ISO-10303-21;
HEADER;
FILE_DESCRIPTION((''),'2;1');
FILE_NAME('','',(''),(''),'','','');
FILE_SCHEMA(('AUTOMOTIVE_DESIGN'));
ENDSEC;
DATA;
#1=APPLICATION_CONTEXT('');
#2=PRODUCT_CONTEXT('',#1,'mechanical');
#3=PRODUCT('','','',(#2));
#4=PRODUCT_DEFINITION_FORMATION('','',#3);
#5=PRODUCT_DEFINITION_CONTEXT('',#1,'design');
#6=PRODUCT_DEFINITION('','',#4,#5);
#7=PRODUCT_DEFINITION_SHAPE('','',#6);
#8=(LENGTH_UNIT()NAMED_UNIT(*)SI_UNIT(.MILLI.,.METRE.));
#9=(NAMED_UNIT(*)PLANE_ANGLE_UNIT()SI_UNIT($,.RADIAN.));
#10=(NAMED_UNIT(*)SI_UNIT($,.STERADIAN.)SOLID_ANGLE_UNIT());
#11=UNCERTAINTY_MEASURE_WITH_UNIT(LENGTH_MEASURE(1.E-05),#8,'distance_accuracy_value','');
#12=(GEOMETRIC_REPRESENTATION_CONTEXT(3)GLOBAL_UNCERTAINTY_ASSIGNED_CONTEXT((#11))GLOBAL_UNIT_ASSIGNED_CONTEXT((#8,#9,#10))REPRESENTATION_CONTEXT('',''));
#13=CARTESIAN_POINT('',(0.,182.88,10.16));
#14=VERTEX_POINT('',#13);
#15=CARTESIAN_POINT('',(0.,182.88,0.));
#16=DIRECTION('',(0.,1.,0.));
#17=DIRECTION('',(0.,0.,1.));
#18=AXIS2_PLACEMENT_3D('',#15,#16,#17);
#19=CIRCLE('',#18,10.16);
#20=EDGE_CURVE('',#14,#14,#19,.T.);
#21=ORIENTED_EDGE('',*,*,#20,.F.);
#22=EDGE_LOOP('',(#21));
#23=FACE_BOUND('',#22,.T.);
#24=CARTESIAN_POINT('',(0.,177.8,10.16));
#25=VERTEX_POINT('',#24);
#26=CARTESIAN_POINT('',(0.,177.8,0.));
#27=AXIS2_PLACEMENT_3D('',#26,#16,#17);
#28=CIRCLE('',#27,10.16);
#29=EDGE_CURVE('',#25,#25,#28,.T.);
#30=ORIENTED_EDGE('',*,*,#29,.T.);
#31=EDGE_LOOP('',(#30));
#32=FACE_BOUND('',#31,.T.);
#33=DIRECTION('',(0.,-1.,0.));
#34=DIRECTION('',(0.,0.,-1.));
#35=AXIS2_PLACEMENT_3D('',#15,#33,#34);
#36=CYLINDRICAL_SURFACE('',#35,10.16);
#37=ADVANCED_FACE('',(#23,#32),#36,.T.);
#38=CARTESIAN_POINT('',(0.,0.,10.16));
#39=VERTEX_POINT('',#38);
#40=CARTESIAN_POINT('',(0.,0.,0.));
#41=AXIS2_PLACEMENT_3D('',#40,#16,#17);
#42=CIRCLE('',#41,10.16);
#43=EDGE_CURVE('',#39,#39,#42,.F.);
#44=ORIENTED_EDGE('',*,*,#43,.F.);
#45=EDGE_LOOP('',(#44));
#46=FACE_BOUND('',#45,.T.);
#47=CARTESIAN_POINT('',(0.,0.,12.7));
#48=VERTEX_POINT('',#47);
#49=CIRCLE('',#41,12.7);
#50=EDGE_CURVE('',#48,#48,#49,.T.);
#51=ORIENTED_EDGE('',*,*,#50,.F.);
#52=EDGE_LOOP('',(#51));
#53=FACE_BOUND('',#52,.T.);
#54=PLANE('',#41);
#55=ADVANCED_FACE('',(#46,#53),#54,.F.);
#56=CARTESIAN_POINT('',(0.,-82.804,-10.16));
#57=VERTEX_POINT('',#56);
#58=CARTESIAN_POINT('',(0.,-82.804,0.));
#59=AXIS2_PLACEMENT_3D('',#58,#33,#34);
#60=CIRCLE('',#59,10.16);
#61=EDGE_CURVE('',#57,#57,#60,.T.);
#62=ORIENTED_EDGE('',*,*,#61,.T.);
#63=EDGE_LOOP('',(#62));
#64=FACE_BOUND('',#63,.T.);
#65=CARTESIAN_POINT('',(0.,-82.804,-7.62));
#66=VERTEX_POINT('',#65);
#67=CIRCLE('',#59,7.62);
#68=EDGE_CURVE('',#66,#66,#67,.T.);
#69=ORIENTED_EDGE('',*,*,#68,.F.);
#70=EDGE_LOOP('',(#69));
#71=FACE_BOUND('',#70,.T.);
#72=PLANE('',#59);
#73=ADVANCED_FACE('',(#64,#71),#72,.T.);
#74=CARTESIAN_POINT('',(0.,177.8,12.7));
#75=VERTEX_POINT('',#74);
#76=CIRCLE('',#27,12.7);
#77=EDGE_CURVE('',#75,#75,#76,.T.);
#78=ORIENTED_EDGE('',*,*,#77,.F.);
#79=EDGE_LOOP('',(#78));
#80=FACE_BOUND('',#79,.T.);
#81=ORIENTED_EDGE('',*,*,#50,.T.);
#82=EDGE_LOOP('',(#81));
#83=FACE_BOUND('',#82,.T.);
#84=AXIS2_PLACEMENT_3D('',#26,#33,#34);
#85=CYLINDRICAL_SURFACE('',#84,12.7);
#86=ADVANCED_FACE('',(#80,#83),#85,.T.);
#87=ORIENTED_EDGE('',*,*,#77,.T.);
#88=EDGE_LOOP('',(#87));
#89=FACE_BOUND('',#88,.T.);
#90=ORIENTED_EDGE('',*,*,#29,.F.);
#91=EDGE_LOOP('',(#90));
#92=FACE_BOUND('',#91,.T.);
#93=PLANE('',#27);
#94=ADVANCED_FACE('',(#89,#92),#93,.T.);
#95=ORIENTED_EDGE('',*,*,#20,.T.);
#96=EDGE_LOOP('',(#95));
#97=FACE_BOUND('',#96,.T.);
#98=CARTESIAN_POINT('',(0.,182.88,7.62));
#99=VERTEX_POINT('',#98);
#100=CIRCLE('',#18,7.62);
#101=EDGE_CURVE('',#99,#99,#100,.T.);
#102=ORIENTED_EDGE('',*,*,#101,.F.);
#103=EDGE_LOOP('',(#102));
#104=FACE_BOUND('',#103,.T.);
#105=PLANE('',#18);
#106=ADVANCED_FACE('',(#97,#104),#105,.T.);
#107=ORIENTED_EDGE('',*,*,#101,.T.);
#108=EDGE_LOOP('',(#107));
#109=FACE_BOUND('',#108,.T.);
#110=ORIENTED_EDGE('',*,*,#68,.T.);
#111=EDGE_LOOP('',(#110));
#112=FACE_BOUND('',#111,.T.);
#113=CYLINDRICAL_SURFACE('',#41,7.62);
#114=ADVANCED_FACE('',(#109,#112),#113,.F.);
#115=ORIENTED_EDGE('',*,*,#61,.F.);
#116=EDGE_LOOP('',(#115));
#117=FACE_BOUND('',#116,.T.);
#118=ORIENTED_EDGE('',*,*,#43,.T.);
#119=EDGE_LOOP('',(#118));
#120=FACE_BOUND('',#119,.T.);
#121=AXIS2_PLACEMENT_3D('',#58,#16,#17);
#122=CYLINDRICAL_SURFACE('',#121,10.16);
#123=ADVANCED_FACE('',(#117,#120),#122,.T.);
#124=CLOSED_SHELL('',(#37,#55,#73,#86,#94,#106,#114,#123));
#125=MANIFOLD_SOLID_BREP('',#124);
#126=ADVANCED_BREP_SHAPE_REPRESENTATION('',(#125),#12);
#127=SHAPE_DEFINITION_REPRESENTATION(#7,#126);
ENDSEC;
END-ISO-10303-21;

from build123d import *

# Parameters (mm, degrees)
SKETCH1_R           = 12.7
BOSS_EXTRUDE1_DEPTH = 177.8
SKETCH4_R           = 10.16
BOSS_EXTRUDE2_DEPTH = 5.08
SKETCH5_R           = 7.62
CUT_EXTRUDE1_DEPTH  = 184.759828036
SKETCH6_R           = 10.16
SKETCH6_R_2         = 7.62
BOSS_EXTRUDE3_DEPTH = 82.804


with BuildPart() as part:
    # Sketch1 → Boss-Extrude1 (new body)
    with BuildSketch(Plane(origin=(0, 0, 0), x_dir=(1, 0, 0), z_dir=(0, 1, 0))):
        with Locations(Location((0, 0, 0), (0, 0, 270))):
            Circle(SKETCH1_R)
    extrude(amount=BOSS_EXTRUDE1_DEPTH)

    # Sketch4 → Boss-Extrude2 (add)
    with BuildSketch(Plane(origin=(0, 177.8, 0), x_dir=(1, 0, 0), z_dir=(0, 1, 0))):
        with Locations(Location((0, 0, 0), (0, 0, 270))):
            Circle(SKETCH4_R)
    extrude(amount=BOSS_EXTRUDE2_DEPTH)

    # Sketch5 → Cut-Extrude1 (cut, through all)
    with BuildSketch(Plane(origin=(0, 182.88, 0), x_dir=(1, 0, 0), z_dir=(0, 1, 0))):
        with Locations(Location((0, 0, 0), (0, 0, 270))):
            Circle(SKETCH5_R)
    extrude(amount=-CUT_EXTRUDE1_DEPTH, mode=Mode.SUBTRACT)

    # Sketch6 → Boss-Extrude3 (add)
    with BuildSketch(Plane.XZ):
        with Locations(Location((0, 0, 0), (0, 0, 90))):
            Circle(SKETCH6_R)
        with Locations(Location((0, 0, 0), (0, 0, 90))):
            Circle(SKETCH6_R_2, mode=Mode.SUBTRACT)
    extrude(amount=BOSS_EXTRUDE3_DEPTH)


solid = part.part
